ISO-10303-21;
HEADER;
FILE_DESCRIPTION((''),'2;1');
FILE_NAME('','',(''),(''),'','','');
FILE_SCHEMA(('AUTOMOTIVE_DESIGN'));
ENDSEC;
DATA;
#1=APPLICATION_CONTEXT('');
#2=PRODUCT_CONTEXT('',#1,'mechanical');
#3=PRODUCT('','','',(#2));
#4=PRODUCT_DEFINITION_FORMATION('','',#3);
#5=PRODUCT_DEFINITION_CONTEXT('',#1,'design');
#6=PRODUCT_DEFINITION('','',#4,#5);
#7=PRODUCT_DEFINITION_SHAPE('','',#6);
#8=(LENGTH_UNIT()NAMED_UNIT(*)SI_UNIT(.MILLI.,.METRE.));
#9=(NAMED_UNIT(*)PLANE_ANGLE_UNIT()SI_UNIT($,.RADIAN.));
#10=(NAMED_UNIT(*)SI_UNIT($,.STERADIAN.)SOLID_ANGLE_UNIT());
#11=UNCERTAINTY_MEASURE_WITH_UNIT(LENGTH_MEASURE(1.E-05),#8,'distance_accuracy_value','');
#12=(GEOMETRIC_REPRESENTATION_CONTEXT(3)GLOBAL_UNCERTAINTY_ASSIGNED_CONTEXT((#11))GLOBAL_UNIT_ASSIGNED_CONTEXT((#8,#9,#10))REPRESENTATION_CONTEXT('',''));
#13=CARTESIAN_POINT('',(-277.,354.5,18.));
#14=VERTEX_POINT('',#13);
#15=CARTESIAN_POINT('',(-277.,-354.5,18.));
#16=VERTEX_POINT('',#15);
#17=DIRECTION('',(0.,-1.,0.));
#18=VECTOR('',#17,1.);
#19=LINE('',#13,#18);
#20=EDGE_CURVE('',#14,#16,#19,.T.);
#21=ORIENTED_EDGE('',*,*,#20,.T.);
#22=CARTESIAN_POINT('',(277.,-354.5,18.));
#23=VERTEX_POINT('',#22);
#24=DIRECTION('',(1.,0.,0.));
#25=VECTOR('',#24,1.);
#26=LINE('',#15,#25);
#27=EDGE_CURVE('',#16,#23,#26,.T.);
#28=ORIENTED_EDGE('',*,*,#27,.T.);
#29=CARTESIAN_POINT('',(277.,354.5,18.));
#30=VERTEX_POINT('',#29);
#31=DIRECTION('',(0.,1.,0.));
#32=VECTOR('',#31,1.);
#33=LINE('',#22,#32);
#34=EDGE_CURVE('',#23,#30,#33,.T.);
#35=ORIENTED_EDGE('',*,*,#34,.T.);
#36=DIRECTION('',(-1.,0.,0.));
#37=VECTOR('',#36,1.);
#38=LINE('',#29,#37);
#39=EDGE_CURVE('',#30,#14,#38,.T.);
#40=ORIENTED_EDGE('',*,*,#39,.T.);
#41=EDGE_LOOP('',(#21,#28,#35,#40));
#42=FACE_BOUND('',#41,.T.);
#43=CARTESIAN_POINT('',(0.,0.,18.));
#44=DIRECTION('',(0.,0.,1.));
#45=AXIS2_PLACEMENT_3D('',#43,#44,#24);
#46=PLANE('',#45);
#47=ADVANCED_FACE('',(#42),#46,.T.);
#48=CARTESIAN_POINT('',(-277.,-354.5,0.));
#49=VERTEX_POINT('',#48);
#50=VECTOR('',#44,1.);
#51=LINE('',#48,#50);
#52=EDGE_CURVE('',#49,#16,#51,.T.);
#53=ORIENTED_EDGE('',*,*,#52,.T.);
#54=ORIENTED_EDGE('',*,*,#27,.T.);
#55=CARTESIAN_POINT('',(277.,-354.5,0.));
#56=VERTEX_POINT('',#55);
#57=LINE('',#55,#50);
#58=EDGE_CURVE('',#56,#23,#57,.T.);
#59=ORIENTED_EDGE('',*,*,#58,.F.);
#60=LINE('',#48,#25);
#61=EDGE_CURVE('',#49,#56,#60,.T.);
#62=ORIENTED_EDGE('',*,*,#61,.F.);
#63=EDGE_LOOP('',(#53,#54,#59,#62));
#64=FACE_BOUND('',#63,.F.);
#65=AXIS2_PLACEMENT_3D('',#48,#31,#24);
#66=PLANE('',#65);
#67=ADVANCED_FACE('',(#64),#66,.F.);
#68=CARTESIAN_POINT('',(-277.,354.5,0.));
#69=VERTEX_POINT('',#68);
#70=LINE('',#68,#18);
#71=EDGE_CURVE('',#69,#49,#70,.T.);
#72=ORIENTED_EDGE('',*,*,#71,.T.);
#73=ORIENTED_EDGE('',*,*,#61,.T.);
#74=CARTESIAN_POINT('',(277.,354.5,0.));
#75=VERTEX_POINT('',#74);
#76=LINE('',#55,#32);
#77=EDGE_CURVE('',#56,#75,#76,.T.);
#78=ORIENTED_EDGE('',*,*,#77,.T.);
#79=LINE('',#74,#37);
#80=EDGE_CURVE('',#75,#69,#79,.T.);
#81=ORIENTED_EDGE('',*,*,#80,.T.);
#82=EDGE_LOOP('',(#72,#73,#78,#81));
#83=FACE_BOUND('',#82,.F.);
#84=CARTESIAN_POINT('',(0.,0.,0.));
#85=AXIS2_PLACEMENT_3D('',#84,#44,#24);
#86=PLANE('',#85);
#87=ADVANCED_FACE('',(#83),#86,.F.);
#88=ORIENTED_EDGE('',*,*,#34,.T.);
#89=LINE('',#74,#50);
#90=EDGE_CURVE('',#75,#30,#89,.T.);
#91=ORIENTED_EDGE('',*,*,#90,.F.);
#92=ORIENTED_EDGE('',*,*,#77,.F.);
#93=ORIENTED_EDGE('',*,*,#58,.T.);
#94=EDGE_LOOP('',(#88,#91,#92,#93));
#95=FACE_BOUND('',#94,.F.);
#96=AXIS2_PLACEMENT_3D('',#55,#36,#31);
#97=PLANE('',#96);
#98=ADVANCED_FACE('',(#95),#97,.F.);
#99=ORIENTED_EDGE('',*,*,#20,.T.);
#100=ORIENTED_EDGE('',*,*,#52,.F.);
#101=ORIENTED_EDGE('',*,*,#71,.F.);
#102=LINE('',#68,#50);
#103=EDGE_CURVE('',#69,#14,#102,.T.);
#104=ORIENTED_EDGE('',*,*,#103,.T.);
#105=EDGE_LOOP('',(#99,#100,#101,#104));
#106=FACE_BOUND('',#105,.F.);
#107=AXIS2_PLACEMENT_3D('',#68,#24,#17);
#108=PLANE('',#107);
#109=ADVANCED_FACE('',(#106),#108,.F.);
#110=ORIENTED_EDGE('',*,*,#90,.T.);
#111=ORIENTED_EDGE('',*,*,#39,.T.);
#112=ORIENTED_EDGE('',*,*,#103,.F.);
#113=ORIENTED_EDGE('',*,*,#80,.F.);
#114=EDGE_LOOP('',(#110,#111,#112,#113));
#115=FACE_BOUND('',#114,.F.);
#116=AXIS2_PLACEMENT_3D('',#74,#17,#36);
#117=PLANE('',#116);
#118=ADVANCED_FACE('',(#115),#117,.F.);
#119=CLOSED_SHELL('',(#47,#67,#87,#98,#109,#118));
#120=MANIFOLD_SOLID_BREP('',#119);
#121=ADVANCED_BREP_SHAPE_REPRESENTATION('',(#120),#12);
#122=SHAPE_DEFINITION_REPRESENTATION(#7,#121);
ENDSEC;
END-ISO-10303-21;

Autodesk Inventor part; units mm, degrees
ref_plane "YZ Plane" through (0, 0, 0) normal (1, 0, 0) x (0, 1, 0)
ref_plane "XZ Plane" through (0, 0, 0) normal (0, 1, 0) x (-1, 0, 0)
ref_plane "XY Plane" through (0, 0, 0) normal (0, 0, 1) x (1, 0, 0)
sketch "Sketch1" plane through (0, 0, 0) normal (0, 0, 1) x (1, 0, 0)
  line L0 (-277, -354.5) -> (277, -354.5)
  line L1 (277, -354.5) -> (277, 354.5)
  line L2 (277, 354.5) -> (-277, 354.5)
  line L3 (-277, 354.5) -> (-277, -354.5)
  line L4 (-277, -354.5) -> (277, 354.5) construction
  line L5 (277, -354.5) -> (-277, 354.5) construction
  line L6 (0, 0) -> (0, 354.5) construction
  dimension "d0" = 554
  dimension "d1" = 709
extrude "Extrusion1" add sketch "Sketch1" along normal blind 18
properties part number "wozek_gora"
